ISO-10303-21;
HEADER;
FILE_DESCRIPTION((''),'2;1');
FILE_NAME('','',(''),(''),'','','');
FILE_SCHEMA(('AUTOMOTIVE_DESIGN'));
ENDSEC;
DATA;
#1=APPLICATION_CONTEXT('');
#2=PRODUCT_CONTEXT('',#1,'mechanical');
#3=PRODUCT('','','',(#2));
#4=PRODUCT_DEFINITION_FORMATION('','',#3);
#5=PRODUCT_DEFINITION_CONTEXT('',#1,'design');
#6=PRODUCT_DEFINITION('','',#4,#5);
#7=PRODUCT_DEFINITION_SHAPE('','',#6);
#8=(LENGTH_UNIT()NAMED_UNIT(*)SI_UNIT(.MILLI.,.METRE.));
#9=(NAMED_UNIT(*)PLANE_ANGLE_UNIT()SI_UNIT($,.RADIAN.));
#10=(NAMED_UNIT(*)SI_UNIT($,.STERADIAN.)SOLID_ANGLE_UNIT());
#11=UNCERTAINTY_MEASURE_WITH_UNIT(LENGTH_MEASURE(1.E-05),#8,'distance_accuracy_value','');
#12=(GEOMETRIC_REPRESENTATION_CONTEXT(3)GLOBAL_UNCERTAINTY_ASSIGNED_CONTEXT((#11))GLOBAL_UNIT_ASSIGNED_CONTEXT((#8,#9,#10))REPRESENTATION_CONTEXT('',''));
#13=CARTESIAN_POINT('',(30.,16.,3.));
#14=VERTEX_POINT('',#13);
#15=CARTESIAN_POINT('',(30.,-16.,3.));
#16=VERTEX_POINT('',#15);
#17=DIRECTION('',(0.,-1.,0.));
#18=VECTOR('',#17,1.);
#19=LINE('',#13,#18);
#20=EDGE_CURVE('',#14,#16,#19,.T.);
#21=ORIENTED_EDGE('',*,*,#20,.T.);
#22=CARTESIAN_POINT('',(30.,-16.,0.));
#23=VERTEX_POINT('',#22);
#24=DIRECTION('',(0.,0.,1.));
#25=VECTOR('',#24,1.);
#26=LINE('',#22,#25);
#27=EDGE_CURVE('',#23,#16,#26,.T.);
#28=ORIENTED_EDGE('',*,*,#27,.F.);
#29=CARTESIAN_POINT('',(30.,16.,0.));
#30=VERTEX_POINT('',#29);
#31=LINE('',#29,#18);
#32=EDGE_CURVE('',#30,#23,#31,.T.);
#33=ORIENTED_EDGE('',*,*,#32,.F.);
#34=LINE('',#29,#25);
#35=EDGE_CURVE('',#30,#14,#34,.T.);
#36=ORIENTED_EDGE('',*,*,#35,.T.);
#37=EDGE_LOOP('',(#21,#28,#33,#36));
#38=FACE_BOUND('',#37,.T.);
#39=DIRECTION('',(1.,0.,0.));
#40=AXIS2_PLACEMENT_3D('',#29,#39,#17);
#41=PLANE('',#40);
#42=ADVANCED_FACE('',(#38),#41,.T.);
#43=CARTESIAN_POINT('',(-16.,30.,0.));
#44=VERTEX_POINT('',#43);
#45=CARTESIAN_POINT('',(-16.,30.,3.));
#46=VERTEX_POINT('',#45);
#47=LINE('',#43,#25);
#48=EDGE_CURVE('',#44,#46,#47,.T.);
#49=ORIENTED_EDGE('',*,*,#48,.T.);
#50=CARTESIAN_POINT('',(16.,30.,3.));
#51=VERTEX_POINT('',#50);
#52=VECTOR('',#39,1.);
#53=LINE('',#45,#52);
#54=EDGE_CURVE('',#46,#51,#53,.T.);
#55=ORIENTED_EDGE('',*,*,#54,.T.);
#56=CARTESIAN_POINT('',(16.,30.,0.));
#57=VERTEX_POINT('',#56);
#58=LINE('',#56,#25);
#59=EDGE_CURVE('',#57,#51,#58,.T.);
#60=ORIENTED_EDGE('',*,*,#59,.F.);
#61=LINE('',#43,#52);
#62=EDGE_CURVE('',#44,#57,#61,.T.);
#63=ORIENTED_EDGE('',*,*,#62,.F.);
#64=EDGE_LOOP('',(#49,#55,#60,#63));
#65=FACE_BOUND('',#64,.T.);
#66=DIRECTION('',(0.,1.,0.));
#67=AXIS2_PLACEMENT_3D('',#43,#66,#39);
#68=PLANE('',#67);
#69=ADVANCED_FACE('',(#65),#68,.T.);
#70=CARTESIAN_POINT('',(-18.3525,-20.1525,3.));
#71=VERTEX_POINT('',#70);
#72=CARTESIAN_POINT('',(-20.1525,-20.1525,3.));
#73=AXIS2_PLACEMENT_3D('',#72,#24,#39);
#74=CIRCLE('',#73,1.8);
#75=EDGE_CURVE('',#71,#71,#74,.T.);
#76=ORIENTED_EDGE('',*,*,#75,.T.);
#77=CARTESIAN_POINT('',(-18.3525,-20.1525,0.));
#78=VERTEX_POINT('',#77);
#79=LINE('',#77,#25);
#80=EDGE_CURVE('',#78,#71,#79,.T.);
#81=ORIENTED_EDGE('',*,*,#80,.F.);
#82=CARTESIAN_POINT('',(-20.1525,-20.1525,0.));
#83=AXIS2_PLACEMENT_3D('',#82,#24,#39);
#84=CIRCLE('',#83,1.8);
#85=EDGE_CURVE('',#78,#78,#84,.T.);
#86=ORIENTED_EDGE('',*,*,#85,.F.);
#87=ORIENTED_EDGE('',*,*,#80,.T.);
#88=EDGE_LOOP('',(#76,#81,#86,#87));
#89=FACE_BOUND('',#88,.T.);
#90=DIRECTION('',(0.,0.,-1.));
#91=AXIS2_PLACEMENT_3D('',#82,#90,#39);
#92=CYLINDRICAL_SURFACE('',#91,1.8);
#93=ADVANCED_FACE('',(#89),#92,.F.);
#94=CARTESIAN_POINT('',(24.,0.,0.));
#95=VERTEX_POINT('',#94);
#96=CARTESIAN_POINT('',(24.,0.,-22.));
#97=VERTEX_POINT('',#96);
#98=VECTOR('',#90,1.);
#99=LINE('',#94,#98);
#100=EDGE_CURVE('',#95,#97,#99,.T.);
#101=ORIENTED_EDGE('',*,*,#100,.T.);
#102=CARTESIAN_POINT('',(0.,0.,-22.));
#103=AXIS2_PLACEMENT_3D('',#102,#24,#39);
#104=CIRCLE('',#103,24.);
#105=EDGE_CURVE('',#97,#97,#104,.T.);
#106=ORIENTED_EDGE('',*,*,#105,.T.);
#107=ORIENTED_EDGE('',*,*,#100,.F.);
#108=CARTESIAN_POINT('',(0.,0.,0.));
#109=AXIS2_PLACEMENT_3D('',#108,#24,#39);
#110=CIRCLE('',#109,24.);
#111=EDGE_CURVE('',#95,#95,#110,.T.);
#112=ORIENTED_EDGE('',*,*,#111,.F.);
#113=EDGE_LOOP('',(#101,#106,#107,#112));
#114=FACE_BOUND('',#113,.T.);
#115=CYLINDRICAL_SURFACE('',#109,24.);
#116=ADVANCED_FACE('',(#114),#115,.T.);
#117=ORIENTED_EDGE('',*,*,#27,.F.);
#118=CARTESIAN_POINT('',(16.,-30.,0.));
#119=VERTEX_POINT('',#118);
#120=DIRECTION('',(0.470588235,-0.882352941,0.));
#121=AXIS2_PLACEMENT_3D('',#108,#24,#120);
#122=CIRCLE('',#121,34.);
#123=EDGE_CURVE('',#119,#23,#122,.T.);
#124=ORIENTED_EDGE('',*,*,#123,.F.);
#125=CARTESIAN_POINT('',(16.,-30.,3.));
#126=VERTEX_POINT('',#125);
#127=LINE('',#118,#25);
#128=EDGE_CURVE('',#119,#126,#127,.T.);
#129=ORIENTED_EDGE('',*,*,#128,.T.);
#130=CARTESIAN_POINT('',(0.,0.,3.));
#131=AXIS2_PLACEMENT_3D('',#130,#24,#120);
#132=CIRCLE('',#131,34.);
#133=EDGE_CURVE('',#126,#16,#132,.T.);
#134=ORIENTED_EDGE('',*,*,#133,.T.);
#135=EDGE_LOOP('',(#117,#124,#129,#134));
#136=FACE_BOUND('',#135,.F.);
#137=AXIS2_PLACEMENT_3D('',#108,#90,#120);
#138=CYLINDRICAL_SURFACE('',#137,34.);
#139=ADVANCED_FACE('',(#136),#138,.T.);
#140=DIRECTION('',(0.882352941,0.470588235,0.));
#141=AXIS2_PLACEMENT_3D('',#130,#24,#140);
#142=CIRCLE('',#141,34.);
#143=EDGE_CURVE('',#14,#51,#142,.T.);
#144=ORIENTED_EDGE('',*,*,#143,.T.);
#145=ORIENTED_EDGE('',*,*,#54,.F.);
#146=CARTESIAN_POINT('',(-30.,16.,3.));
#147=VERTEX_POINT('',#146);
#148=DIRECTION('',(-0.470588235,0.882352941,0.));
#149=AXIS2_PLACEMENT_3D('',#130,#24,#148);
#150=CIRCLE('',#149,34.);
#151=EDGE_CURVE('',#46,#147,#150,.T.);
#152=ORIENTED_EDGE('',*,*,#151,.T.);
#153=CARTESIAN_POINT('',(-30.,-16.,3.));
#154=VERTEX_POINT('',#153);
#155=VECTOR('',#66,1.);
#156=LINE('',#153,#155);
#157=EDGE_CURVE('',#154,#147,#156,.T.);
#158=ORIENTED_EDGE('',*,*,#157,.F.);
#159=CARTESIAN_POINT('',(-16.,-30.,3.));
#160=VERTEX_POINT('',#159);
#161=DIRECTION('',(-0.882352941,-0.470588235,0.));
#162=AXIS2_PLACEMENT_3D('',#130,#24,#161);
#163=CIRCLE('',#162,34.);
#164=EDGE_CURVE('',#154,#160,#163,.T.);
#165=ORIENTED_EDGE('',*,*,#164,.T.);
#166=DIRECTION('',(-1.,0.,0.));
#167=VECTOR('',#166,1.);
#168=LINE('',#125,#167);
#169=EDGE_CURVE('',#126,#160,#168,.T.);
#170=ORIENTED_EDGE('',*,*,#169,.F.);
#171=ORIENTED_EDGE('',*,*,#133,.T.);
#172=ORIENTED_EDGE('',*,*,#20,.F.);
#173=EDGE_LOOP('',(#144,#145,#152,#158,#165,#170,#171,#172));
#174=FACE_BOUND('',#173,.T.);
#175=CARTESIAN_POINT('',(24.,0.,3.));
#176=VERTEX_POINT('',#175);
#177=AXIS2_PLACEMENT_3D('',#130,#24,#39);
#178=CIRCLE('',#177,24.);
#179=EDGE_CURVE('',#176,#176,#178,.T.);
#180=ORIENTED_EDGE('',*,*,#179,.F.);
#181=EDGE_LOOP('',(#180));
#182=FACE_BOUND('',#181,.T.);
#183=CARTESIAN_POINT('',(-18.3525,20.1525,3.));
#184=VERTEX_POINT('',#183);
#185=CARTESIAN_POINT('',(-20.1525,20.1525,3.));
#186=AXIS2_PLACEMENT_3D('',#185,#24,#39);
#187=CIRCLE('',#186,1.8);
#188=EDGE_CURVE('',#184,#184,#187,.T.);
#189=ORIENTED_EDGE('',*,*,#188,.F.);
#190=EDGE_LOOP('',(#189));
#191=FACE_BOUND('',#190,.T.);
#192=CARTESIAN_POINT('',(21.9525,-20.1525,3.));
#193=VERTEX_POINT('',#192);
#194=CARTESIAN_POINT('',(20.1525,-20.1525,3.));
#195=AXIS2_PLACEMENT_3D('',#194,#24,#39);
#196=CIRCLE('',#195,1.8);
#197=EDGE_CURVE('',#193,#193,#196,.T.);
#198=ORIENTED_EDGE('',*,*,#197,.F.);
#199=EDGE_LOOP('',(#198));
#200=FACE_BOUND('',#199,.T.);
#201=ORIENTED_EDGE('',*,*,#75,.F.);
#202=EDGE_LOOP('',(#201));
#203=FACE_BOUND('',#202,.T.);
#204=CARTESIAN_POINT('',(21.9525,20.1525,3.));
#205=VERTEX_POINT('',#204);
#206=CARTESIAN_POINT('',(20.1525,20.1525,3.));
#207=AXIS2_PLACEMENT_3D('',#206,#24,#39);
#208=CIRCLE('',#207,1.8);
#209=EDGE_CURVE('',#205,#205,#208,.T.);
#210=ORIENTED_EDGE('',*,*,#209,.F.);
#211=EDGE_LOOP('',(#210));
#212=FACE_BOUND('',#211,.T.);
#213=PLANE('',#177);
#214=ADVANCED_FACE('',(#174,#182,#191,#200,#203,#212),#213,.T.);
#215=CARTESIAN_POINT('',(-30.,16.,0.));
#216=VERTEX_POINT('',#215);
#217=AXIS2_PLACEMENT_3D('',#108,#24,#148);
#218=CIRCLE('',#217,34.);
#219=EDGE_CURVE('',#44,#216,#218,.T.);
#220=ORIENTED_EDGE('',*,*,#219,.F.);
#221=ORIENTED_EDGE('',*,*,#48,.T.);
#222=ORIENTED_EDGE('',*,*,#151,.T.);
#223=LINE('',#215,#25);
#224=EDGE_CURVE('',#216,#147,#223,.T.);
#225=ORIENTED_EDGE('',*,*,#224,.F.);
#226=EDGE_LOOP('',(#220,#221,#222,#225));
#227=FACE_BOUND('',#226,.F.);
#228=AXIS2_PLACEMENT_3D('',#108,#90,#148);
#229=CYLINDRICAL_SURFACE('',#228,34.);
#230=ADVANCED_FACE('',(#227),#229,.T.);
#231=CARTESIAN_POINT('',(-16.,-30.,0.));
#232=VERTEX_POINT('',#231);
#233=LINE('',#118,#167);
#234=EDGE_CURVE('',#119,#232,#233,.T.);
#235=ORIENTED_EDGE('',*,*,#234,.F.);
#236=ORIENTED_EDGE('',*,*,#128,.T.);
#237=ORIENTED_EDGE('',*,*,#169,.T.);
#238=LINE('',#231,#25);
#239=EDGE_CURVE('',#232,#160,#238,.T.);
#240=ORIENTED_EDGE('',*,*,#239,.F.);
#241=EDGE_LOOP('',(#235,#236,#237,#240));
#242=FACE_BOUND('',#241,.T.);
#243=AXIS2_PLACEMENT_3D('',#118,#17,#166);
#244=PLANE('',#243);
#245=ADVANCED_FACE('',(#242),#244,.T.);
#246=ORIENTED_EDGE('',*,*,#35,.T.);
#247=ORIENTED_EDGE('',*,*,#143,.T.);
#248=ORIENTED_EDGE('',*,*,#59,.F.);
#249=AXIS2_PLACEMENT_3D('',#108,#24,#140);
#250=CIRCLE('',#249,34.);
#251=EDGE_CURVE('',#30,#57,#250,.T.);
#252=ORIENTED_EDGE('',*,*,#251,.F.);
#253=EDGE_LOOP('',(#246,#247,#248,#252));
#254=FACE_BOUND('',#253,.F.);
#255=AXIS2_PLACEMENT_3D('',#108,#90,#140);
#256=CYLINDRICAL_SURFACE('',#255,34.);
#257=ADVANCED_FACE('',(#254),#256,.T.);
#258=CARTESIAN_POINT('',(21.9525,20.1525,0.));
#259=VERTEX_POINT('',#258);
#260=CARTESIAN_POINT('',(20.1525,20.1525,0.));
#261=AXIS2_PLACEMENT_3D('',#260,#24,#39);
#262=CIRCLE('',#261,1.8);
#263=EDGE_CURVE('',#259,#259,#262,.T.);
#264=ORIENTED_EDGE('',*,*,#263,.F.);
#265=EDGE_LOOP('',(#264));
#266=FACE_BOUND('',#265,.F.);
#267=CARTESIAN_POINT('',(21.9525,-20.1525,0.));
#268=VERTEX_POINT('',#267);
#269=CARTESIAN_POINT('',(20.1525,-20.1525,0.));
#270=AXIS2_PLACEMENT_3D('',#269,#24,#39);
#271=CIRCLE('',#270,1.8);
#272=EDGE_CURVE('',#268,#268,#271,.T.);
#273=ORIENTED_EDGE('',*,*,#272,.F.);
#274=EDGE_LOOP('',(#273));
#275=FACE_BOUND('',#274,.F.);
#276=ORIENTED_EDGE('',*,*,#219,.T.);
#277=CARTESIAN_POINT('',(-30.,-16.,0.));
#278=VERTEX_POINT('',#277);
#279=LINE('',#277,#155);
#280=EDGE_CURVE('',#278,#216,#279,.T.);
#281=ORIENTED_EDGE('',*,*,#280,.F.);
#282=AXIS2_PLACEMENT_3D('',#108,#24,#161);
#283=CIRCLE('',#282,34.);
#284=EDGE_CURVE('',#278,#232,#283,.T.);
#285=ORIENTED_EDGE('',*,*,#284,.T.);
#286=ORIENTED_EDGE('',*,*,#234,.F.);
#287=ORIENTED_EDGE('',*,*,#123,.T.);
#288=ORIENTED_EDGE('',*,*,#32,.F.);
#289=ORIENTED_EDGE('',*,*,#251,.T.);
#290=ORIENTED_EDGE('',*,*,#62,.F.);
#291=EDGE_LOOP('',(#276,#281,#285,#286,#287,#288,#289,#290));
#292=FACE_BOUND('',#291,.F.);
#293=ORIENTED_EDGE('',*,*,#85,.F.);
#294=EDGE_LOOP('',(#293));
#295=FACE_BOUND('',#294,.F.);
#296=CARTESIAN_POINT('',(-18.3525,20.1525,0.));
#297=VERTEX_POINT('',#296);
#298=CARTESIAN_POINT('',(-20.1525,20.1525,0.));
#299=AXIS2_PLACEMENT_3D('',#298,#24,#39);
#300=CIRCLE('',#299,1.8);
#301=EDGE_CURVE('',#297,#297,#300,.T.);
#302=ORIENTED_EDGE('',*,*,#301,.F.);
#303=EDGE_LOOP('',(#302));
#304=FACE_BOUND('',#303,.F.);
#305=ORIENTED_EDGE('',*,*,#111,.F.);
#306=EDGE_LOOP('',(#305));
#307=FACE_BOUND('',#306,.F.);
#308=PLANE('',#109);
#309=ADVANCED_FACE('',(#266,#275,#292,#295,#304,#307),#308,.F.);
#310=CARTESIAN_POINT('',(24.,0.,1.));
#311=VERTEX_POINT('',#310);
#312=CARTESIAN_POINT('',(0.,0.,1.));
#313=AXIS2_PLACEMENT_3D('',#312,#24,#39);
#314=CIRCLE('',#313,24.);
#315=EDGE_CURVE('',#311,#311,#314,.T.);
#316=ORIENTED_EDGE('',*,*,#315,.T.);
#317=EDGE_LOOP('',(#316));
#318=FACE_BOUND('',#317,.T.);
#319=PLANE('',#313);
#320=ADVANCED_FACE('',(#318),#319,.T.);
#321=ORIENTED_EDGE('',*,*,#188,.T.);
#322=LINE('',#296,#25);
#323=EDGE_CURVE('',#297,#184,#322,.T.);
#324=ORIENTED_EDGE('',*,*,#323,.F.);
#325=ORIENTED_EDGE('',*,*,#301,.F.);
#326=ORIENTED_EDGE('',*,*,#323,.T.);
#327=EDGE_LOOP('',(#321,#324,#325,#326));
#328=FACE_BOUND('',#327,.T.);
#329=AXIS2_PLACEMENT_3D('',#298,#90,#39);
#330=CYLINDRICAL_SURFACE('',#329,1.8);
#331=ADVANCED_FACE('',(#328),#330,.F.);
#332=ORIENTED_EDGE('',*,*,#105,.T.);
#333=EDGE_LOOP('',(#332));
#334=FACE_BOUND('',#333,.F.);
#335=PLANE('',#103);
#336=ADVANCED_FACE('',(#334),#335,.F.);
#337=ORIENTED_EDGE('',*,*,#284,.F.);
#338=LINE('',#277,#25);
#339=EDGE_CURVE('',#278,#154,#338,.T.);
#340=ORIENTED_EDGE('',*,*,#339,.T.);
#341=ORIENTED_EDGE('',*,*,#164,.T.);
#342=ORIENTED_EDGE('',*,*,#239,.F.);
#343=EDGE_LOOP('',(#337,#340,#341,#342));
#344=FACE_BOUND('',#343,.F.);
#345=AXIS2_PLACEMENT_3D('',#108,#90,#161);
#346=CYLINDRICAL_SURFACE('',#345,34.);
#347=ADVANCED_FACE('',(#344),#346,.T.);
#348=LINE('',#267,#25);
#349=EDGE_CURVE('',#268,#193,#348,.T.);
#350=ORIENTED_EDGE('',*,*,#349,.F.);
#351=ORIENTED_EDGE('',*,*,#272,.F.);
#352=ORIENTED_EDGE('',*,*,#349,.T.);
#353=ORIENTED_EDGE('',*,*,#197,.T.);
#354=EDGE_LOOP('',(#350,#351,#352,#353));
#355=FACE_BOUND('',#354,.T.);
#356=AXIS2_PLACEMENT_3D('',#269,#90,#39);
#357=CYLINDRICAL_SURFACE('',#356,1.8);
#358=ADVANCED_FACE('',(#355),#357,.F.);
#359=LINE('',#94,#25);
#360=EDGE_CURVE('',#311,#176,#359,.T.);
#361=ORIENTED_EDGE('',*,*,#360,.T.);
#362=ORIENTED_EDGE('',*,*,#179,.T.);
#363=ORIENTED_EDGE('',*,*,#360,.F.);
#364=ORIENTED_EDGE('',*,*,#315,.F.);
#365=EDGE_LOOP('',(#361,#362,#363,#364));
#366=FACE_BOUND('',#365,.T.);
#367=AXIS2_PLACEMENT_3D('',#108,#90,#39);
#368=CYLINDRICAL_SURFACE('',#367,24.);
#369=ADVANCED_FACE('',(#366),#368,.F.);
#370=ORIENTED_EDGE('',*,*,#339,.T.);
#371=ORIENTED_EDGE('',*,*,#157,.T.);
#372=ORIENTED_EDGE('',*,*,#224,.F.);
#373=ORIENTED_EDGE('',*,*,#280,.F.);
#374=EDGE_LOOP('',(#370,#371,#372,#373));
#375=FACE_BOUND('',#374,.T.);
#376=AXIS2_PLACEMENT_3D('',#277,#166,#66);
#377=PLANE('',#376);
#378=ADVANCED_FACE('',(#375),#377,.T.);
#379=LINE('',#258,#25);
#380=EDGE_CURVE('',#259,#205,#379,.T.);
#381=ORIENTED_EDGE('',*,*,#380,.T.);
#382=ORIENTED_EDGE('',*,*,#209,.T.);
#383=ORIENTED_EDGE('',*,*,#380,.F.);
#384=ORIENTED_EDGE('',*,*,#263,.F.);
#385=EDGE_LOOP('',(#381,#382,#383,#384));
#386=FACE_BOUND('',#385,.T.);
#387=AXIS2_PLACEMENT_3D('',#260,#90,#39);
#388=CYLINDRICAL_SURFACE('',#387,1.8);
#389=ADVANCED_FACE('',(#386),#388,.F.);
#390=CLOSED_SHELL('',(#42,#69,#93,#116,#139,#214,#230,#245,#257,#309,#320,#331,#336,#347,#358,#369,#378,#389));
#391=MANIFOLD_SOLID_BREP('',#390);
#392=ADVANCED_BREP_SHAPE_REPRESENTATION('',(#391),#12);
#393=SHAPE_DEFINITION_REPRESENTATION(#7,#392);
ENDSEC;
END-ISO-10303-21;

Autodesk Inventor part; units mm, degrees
ref_plane "YZ Plane" through (0, 0, 0) normal (1, 0, 0) x (0, 1, 0)
ref_plane "XZ Plane" through (0, 0, 0) normal (0, 1, 0) x (-1, 0, 0)
ref_plane "XY Plane" through (0, 0, 0) normal (0, 0, 1) x (1, 0, 0)
sketch "Sketch1" plane through (0, 0, 0) normal (0, 0, 1) x (1, 0, 0)
  circle A0 centre (0, 0) radius 23.5 construction
  circle A1 centre (0, 0) radius 34 construction
  line L0 (30, 30) -> (-30, 30) construction
  line L1 (-30, 30) -> (-30, -30) construction
  line L2 (-30, -30) -> (30, -30) construction
  line L3 (30, -30) -> (30, 30) construction
  line L4 (30, 30) -> (-30, -30) construction
  line L5 (-30, 30) -> (30, -30) construction
  circle A2 centre (20.1525, 20.1525) radius 4 construction
  circle A3 centre (20.1525, 20.1525) radius 1.8
  arc A4 (30, 16) -> (16, 30) centre (0, 0) ccw
  line L6 (30, 16) -> (30, -16)
  circle A5 centre (0, 0) radius 24
  arc A6 (-16, 30) -> (-30, 16) centre (0, 0) ccw
  line L7 (-16, 30) -> (16, 30)
  circle A7 centre (-20.1525, 20.1525) radius 1.8
  arc A8 (-30, -16) -> (-16, -30) centre (0, 0) ccw
  line L8 (-30, -16) -> (-30, 16)
  circle A9 centre (-20.1525, -20.1525) radius 1.8
  arc A10 (16, -30) -> (30, -16) centre (0, 0) ccw
  line L9 (16, -30) -> (-16, -30)
  circle A11 centre (20.1525, -20.1525) radius 1.8
  line L10 (-35, 35) -> (35, 35)
  line L11 (35, 35) -> (35, -35)
  line L12 (35, -35) -> (-35, -35)
  line L13 (-35, -35) -> (-35, 35)
  line L14 (-35, 35) -> (35, -35) construction
  line L15 (35, 35) -> (-35, -35) construction
  point P0 (-16, -30)
  point P1 (30, -16)
  point P2 (16, 30)
  dimension "d2" = 60
  dimension "d3" = 60
  dimension "d4" = 68
  dimension "d5" = 47
  dimension "d6" = 8
  dimension "d7" = 28.5
  dimension "d8" = 3.6
  dimension "d9" = 48
  dimension "d10" = 360
  dimension "d11" = 70
  dimension "d12" = 70
extrude "Extrusion1" add sketch "Sketch1" along normal blind 3 contours L6 A10 L9 A8 L8 A6 L7 A4
extrude "Extrusion2" add sketch "Sketch1" along normal blind 1 contours A5
extrude "Extrusion3" add sketch "Sketch1" against normal blind 22 contours A5
properties part number "tweetwe"
